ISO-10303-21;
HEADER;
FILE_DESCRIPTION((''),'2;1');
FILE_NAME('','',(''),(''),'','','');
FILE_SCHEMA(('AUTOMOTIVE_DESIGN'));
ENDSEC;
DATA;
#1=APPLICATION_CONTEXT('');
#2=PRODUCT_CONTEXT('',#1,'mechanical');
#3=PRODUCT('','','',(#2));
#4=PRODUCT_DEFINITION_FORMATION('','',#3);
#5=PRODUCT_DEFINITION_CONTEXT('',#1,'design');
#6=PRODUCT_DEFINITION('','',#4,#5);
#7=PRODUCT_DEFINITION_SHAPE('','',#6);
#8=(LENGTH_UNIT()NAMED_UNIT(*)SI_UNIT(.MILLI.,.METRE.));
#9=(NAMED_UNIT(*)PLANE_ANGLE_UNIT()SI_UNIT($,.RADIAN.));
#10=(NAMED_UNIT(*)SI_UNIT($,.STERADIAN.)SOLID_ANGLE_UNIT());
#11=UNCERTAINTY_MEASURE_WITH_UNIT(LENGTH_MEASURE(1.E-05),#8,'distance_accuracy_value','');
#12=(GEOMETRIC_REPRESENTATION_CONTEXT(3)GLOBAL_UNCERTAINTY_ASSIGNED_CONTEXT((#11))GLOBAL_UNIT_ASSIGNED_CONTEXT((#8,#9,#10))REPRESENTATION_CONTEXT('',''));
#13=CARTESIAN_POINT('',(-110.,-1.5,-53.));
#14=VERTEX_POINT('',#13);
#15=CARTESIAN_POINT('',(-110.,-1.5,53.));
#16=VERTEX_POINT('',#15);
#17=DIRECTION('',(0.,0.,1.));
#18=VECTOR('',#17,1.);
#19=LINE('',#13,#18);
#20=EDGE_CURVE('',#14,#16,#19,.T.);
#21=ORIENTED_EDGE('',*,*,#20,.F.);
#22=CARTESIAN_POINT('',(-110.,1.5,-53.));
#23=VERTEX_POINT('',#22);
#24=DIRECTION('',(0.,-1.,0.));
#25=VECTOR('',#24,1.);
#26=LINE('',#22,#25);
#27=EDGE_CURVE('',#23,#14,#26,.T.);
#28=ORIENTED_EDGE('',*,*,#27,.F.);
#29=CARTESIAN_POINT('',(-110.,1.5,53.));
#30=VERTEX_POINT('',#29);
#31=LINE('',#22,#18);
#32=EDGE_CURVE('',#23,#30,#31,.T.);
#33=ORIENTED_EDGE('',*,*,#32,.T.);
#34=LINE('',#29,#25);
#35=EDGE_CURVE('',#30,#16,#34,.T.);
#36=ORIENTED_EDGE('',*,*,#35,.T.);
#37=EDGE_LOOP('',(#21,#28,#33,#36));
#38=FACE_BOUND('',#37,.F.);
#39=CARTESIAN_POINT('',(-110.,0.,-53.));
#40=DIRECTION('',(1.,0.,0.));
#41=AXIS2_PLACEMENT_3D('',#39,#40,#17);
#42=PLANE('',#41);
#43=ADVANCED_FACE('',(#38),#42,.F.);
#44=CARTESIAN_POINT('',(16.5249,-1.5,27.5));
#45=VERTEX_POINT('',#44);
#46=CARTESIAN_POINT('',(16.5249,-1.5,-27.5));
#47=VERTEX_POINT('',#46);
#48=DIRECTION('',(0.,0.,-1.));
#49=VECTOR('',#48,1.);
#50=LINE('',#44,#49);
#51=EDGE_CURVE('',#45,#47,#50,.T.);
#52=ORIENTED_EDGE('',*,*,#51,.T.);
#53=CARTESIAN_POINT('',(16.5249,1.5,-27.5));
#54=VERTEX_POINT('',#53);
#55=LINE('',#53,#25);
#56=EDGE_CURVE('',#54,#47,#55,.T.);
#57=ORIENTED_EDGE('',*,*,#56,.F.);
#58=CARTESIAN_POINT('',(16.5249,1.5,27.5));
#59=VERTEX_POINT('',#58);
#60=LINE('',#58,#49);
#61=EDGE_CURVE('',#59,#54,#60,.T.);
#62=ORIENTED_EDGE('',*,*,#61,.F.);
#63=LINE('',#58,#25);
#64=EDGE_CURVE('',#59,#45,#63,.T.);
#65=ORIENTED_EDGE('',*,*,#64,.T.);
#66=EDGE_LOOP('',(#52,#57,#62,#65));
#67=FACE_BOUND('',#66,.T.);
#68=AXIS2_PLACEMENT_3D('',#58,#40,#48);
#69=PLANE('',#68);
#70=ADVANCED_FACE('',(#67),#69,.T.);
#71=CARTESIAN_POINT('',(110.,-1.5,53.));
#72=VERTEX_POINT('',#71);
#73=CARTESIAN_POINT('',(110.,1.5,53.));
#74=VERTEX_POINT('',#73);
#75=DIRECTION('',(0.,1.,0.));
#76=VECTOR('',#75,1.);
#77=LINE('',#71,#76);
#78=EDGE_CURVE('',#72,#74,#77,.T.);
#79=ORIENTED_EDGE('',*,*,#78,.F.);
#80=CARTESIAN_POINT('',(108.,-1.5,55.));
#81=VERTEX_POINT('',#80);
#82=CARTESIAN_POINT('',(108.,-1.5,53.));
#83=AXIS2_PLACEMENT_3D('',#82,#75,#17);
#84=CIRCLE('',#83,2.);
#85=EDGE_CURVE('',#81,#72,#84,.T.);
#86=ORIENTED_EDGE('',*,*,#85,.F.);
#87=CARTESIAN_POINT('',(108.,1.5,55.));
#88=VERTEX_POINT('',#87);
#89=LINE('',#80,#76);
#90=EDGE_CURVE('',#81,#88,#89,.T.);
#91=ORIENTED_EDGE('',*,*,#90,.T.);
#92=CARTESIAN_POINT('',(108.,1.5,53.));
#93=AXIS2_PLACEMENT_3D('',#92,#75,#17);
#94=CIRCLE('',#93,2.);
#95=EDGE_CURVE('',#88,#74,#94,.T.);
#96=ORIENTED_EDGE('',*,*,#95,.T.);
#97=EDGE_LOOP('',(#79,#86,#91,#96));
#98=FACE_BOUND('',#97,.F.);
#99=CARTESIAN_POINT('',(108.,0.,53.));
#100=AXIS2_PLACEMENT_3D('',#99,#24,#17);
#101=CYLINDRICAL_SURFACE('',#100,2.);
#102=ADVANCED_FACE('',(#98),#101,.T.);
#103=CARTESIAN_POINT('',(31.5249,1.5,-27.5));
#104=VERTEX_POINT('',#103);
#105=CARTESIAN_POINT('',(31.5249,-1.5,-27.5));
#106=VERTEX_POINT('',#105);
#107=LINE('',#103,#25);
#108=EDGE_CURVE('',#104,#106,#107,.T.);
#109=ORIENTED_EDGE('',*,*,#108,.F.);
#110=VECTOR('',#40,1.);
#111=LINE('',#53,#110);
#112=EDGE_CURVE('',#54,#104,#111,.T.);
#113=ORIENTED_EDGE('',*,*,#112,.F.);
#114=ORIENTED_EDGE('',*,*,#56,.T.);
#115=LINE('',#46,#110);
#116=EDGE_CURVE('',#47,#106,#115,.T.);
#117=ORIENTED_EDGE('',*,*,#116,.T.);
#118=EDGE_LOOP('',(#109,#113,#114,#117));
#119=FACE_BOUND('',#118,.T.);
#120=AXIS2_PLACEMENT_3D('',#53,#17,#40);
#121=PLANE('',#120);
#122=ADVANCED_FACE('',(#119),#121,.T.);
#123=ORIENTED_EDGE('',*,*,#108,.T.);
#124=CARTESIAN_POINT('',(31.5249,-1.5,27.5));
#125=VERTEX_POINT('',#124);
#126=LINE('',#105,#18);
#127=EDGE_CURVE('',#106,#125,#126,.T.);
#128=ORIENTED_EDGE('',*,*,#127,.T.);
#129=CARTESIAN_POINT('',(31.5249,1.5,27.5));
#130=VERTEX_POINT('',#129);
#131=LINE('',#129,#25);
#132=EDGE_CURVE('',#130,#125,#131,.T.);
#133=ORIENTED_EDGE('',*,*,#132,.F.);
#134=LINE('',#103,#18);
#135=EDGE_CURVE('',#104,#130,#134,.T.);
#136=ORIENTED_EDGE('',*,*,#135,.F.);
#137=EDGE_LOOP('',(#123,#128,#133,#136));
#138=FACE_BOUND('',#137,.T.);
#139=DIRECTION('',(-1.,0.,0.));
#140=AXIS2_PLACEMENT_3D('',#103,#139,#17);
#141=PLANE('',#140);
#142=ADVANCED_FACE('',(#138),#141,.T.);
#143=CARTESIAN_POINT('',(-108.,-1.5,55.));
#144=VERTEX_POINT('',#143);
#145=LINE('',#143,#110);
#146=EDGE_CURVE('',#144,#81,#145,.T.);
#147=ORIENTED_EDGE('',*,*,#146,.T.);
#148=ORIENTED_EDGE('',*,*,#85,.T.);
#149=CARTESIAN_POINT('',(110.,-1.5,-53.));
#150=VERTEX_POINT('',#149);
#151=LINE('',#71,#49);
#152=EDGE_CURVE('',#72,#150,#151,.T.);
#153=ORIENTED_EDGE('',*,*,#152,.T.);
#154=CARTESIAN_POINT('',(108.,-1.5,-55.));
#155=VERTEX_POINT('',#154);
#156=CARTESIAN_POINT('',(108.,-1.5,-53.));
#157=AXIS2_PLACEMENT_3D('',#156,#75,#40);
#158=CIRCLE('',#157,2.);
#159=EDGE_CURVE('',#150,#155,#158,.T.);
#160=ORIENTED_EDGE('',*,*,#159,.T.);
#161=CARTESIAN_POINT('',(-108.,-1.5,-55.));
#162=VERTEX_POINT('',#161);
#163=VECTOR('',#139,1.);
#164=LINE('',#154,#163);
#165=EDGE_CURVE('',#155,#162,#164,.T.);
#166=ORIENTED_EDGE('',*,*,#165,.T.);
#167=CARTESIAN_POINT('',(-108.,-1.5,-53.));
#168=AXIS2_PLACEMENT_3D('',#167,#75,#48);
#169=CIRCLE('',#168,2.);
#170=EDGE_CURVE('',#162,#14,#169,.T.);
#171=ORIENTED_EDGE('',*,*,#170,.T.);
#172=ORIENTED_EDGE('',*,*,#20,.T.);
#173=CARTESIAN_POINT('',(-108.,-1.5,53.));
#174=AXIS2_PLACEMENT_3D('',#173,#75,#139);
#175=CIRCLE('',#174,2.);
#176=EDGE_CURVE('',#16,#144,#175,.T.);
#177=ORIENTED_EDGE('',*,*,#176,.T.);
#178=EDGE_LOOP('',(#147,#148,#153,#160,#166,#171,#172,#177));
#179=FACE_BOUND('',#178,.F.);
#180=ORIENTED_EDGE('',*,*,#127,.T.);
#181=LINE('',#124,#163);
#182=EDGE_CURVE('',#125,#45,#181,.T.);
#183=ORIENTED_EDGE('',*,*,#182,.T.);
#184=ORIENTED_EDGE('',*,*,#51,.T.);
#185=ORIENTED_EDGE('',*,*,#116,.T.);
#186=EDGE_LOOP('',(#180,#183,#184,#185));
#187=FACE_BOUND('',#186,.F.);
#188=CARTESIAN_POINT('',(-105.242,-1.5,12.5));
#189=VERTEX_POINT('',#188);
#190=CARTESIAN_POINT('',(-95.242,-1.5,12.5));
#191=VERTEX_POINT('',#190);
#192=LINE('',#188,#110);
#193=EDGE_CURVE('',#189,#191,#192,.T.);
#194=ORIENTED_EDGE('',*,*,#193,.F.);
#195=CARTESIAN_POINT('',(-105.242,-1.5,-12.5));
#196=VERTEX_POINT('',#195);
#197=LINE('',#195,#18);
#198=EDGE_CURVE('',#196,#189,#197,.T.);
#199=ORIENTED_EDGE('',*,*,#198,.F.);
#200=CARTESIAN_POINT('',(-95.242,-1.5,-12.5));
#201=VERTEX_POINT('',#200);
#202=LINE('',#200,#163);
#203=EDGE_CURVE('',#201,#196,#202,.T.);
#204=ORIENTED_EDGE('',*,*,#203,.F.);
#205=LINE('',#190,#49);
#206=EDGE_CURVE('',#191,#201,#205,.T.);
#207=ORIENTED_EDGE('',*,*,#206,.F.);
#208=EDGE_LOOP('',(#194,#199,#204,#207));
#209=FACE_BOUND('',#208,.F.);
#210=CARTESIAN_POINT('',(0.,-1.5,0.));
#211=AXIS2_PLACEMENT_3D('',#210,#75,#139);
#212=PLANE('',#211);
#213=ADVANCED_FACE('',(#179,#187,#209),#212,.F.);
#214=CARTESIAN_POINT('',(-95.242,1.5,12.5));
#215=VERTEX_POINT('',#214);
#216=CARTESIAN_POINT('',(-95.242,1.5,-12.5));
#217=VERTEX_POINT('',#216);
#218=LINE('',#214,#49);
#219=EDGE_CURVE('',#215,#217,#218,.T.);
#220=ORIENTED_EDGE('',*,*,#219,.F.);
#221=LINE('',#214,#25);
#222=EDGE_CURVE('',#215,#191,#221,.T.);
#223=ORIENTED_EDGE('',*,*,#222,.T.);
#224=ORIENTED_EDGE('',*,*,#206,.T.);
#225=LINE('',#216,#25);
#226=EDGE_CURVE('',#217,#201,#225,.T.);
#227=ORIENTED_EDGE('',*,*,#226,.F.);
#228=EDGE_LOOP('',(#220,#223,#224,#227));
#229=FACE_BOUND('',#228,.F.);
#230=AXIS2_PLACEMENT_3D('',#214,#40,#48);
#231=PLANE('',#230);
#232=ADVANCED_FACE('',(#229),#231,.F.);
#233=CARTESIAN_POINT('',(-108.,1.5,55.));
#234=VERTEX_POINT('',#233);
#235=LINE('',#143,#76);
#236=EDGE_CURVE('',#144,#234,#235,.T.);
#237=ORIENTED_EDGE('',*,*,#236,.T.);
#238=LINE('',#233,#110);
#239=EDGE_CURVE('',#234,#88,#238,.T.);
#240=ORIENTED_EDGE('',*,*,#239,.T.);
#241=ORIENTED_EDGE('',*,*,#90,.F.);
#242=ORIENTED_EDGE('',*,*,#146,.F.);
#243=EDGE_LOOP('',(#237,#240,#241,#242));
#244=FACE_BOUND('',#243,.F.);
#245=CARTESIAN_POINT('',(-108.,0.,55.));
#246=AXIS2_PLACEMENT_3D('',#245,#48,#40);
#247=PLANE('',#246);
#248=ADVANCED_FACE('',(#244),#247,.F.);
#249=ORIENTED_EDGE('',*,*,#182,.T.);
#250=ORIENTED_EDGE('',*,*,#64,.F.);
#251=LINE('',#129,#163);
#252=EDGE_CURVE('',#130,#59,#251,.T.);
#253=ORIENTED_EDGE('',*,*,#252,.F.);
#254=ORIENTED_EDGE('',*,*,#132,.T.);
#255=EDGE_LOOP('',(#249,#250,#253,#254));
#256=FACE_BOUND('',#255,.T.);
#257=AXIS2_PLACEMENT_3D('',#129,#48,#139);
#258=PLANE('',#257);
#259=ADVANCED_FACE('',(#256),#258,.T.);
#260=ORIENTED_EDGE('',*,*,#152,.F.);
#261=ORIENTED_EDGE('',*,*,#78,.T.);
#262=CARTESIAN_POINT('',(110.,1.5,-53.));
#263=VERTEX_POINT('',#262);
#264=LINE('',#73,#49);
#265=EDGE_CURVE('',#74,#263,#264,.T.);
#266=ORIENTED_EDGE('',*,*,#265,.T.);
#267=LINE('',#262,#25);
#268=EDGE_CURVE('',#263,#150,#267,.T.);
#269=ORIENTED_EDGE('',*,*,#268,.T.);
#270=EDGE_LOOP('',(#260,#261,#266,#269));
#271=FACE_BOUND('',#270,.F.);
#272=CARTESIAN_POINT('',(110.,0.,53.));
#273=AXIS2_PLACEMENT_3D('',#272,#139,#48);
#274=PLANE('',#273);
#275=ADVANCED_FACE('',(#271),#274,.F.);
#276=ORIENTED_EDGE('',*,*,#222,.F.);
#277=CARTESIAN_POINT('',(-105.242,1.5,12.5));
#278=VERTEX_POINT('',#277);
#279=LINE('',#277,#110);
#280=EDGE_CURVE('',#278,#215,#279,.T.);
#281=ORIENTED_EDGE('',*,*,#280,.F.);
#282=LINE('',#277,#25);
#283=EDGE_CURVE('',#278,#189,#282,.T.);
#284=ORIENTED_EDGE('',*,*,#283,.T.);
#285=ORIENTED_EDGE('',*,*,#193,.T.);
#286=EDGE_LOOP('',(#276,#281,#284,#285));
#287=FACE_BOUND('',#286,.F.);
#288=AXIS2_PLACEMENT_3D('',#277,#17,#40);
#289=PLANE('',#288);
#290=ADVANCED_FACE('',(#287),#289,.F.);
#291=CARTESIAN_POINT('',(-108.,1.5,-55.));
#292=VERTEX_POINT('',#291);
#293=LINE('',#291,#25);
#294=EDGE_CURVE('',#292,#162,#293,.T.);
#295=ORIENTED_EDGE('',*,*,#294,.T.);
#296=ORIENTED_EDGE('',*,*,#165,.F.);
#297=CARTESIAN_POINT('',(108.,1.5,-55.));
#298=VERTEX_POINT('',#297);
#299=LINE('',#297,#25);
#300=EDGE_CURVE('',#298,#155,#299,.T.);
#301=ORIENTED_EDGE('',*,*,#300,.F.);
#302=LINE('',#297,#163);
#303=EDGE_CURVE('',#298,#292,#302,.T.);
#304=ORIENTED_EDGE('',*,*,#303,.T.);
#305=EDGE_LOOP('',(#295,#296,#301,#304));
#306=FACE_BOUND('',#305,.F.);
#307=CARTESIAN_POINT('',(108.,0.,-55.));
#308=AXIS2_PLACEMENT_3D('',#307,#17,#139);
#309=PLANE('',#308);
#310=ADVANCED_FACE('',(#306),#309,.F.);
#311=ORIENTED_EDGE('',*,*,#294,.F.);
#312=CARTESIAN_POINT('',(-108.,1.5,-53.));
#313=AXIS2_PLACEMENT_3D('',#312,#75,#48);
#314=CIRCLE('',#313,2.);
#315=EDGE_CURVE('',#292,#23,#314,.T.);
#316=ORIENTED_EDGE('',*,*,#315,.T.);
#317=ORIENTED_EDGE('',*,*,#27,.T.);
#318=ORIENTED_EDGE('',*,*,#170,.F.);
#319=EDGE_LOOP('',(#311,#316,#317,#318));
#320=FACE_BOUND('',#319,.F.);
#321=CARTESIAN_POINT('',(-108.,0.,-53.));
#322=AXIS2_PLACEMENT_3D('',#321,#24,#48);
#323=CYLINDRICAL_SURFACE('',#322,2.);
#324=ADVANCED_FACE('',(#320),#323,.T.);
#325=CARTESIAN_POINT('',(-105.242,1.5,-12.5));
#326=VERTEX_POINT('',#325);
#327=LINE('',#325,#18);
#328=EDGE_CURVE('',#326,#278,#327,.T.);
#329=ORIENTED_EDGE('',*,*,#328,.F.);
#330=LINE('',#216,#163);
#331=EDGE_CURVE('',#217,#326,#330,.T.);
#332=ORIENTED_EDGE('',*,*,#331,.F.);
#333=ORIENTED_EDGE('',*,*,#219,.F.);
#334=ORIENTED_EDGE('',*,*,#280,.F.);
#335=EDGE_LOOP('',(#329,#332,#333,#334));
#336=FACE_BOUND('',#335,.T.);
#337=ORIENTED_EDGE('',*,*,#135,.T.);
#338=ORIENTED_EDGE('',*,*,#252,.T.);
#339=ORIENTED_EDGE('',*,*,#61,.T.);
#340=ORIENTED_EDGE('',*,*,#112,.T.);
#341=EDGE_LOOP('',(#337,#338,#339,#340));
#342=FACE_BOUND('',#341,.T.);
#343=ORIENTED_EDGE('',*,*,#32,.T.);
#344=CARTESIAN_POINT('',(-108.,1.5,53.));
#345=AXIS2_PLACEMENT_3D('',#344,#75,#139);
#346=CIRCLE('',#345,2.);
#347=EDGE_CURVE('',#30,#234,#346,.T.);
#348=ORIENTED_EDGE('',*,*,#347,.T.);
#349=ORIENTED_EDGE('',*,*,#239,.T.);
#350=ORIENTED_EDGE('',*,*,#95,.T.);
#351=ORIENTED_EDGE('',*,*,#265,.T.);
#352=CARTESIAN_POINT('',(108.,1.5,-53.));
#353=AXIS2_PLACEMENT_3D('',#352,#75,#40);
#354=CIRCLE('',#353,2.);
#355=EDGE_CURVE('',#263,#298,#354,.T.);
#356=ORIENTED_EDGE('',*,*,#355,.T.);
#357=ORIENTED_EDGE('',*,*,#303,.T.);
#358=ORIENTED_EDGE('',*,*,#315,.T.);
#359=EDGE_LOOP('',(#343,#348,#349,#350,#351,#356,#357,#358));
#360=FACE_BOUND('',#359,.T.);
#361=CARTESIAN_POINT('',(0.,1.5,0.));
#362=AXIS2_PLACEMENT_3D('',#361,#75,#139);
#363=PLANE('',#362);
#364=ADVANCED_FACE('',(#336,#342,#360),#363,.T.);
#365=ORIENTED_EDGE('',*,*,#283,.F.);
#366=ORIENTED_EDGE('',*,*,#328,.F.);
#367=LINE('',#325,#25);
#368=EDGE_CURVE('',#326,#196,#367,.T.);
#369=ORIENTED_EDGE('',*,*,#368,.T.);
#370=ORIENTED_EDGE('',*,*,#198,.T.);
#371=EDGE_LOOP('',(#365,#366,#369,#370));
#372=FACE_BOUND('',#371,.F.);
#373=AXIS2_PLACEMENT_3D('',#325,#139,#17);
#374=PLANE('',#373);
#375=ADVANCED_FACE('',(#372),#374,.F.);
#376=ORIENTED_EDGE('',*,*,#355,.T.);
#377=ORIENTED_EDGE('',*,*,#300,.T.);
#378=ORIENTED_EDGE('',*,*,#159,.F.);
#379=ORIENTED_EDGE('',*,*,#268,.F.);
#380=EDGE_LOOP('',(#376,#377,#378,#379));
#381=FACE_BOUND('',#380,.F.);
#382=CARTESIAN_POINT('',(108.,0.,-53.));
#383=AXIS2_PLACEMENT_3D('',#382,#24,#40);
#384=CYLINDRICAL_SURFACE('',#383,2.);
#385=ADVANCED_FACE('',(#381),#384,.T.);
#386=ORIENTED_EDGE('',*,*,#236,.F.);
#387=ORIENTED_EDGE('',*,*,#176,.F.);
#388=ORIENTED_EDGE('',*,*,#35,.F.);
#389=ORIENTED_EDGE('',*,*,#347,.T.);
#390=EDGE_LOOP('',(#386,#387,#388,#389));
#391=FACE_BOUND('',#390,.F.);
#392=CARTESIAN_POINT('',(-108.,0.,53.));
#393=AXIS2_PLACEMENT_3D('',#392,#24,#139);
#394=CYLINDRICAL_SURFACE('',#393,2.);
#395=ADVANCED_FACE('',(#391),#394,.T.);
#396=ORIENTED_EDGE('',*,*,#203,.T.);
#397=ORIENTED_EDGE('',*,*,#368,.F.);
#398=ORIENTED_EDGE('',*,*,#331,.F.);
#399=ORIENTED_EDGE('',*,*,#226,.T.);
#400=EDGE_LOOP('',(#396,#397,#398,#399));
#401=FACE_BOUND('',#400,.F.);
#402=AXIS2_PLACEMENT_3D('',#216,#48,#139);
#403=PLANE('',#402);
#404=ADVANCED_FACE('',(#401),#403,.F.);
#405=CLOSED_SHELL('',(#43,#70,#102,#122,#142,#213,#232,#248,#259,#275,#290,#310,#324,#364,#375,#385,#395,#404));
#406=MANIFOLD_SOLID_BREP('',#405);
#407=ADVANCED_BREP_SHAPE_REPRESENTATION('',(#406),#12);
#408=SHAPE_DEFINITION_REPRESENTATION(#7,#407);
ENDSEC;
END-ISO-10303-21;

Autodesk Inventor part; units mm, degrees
ref_plane "YZ Plane" through (0, 0, 0) normal (1, 0, 0) x (0, 1, 0)
ref_plane "XZ Plane" through (0, 0, 0) normal (0, 1, 0) x (-1, 0, 0)
ref_plane "XY Plane" through (0, 0, 0) normal (0, 0, 1) x (1, 0, 0)
sketch "Sketch1" plane through (0, 0, 0) normal (0, 1, 0) x (-1, 0, 0)
  line L0 (108, 55) -> (-108, 55)
  line L1 (-110, 53) -> (-110, -53)
  line L2 (-108, -55) -> (108, -55)
  line L3 (110, -53) -> (110, 53)
  arc A0 (110, 53) -> (108, 55) centre (108, 53) ccw
  arc A1 (108, -55) -> (110, -53) centre (108, -53) ccw
  arc A2 (-110, -53) -> (-108, -55) centre (-108, -53) ccw
  arc A3 (-108, 55) -> (-110, 53) centre (-108, 53) ccw
  point P0 (0, 0)
extrude "Extrusion1" add sketch "Sketch1" along normal mid plane 3
sketch "Sketch2" plane through (0, 1.5, 0) normal (0, 1, 0) x (1, 0, 0)
  line L0 (12.1921, -50) -> (92.1921, -50)
  line L1 (92.1921, -50) -> (92.1921, 50)
  line L2 (92.1921, 50) -> (12.1921, 50)
  line L3 (12.1921, 50) -> (12.1921, -50)
  line L4 (-95.242, 12.5) -> (-105.242, 12.5)
  line L5 (-105.242, 12.5) -> (-105.242, -12.5)
  line L6 (-105.242, -12.5) -> (-95.242, -12.5)
  line L7 (-95.242, -12.5) -> (-95.242, 12.5)
  circle A0 centre (5.4677, -30.1554) radius 1.5
  line L8 (0, 0) -> (5.4677, 0)
  circle A1 centre (5.4677, 30.1554) radius 1.5
  line L9 (-4.7214, 27.5) -> (-89.7214, 27.5)
  line L10 (-89.7214, 27.5) -> (-89.7214, -27.5)
  line L11 (-89.7214, -27.5) -> (-4.7214, -27.5)
  line L12 (-4.7214, -27.5) -> (-4.7214, 27.5)
  line L13 (16.5249, 27.5) -> (31.5249, 27.5)
  line L14 (31.5249, 27.5) -> (31.5249, -27.5)
  line L15 (31.5249, -27.5) -> (16.5249, -27.5)
  line L16 (16.5249, -27.5) -> (16.5249, 27.5)
  point P0 (52.1921, 0)
extrude "Extrusion2" cut sketch "Sketch2" against normal blind 3 contours L7 L6 L5 L4 | L13 L14 L15 L16
sketch "Sketch3" plane through (0, 1.5, 0) normal (0, 1, 0) x (1, 0, 0)
  point P0 (0, 0)
properties part number "AtasFix"
